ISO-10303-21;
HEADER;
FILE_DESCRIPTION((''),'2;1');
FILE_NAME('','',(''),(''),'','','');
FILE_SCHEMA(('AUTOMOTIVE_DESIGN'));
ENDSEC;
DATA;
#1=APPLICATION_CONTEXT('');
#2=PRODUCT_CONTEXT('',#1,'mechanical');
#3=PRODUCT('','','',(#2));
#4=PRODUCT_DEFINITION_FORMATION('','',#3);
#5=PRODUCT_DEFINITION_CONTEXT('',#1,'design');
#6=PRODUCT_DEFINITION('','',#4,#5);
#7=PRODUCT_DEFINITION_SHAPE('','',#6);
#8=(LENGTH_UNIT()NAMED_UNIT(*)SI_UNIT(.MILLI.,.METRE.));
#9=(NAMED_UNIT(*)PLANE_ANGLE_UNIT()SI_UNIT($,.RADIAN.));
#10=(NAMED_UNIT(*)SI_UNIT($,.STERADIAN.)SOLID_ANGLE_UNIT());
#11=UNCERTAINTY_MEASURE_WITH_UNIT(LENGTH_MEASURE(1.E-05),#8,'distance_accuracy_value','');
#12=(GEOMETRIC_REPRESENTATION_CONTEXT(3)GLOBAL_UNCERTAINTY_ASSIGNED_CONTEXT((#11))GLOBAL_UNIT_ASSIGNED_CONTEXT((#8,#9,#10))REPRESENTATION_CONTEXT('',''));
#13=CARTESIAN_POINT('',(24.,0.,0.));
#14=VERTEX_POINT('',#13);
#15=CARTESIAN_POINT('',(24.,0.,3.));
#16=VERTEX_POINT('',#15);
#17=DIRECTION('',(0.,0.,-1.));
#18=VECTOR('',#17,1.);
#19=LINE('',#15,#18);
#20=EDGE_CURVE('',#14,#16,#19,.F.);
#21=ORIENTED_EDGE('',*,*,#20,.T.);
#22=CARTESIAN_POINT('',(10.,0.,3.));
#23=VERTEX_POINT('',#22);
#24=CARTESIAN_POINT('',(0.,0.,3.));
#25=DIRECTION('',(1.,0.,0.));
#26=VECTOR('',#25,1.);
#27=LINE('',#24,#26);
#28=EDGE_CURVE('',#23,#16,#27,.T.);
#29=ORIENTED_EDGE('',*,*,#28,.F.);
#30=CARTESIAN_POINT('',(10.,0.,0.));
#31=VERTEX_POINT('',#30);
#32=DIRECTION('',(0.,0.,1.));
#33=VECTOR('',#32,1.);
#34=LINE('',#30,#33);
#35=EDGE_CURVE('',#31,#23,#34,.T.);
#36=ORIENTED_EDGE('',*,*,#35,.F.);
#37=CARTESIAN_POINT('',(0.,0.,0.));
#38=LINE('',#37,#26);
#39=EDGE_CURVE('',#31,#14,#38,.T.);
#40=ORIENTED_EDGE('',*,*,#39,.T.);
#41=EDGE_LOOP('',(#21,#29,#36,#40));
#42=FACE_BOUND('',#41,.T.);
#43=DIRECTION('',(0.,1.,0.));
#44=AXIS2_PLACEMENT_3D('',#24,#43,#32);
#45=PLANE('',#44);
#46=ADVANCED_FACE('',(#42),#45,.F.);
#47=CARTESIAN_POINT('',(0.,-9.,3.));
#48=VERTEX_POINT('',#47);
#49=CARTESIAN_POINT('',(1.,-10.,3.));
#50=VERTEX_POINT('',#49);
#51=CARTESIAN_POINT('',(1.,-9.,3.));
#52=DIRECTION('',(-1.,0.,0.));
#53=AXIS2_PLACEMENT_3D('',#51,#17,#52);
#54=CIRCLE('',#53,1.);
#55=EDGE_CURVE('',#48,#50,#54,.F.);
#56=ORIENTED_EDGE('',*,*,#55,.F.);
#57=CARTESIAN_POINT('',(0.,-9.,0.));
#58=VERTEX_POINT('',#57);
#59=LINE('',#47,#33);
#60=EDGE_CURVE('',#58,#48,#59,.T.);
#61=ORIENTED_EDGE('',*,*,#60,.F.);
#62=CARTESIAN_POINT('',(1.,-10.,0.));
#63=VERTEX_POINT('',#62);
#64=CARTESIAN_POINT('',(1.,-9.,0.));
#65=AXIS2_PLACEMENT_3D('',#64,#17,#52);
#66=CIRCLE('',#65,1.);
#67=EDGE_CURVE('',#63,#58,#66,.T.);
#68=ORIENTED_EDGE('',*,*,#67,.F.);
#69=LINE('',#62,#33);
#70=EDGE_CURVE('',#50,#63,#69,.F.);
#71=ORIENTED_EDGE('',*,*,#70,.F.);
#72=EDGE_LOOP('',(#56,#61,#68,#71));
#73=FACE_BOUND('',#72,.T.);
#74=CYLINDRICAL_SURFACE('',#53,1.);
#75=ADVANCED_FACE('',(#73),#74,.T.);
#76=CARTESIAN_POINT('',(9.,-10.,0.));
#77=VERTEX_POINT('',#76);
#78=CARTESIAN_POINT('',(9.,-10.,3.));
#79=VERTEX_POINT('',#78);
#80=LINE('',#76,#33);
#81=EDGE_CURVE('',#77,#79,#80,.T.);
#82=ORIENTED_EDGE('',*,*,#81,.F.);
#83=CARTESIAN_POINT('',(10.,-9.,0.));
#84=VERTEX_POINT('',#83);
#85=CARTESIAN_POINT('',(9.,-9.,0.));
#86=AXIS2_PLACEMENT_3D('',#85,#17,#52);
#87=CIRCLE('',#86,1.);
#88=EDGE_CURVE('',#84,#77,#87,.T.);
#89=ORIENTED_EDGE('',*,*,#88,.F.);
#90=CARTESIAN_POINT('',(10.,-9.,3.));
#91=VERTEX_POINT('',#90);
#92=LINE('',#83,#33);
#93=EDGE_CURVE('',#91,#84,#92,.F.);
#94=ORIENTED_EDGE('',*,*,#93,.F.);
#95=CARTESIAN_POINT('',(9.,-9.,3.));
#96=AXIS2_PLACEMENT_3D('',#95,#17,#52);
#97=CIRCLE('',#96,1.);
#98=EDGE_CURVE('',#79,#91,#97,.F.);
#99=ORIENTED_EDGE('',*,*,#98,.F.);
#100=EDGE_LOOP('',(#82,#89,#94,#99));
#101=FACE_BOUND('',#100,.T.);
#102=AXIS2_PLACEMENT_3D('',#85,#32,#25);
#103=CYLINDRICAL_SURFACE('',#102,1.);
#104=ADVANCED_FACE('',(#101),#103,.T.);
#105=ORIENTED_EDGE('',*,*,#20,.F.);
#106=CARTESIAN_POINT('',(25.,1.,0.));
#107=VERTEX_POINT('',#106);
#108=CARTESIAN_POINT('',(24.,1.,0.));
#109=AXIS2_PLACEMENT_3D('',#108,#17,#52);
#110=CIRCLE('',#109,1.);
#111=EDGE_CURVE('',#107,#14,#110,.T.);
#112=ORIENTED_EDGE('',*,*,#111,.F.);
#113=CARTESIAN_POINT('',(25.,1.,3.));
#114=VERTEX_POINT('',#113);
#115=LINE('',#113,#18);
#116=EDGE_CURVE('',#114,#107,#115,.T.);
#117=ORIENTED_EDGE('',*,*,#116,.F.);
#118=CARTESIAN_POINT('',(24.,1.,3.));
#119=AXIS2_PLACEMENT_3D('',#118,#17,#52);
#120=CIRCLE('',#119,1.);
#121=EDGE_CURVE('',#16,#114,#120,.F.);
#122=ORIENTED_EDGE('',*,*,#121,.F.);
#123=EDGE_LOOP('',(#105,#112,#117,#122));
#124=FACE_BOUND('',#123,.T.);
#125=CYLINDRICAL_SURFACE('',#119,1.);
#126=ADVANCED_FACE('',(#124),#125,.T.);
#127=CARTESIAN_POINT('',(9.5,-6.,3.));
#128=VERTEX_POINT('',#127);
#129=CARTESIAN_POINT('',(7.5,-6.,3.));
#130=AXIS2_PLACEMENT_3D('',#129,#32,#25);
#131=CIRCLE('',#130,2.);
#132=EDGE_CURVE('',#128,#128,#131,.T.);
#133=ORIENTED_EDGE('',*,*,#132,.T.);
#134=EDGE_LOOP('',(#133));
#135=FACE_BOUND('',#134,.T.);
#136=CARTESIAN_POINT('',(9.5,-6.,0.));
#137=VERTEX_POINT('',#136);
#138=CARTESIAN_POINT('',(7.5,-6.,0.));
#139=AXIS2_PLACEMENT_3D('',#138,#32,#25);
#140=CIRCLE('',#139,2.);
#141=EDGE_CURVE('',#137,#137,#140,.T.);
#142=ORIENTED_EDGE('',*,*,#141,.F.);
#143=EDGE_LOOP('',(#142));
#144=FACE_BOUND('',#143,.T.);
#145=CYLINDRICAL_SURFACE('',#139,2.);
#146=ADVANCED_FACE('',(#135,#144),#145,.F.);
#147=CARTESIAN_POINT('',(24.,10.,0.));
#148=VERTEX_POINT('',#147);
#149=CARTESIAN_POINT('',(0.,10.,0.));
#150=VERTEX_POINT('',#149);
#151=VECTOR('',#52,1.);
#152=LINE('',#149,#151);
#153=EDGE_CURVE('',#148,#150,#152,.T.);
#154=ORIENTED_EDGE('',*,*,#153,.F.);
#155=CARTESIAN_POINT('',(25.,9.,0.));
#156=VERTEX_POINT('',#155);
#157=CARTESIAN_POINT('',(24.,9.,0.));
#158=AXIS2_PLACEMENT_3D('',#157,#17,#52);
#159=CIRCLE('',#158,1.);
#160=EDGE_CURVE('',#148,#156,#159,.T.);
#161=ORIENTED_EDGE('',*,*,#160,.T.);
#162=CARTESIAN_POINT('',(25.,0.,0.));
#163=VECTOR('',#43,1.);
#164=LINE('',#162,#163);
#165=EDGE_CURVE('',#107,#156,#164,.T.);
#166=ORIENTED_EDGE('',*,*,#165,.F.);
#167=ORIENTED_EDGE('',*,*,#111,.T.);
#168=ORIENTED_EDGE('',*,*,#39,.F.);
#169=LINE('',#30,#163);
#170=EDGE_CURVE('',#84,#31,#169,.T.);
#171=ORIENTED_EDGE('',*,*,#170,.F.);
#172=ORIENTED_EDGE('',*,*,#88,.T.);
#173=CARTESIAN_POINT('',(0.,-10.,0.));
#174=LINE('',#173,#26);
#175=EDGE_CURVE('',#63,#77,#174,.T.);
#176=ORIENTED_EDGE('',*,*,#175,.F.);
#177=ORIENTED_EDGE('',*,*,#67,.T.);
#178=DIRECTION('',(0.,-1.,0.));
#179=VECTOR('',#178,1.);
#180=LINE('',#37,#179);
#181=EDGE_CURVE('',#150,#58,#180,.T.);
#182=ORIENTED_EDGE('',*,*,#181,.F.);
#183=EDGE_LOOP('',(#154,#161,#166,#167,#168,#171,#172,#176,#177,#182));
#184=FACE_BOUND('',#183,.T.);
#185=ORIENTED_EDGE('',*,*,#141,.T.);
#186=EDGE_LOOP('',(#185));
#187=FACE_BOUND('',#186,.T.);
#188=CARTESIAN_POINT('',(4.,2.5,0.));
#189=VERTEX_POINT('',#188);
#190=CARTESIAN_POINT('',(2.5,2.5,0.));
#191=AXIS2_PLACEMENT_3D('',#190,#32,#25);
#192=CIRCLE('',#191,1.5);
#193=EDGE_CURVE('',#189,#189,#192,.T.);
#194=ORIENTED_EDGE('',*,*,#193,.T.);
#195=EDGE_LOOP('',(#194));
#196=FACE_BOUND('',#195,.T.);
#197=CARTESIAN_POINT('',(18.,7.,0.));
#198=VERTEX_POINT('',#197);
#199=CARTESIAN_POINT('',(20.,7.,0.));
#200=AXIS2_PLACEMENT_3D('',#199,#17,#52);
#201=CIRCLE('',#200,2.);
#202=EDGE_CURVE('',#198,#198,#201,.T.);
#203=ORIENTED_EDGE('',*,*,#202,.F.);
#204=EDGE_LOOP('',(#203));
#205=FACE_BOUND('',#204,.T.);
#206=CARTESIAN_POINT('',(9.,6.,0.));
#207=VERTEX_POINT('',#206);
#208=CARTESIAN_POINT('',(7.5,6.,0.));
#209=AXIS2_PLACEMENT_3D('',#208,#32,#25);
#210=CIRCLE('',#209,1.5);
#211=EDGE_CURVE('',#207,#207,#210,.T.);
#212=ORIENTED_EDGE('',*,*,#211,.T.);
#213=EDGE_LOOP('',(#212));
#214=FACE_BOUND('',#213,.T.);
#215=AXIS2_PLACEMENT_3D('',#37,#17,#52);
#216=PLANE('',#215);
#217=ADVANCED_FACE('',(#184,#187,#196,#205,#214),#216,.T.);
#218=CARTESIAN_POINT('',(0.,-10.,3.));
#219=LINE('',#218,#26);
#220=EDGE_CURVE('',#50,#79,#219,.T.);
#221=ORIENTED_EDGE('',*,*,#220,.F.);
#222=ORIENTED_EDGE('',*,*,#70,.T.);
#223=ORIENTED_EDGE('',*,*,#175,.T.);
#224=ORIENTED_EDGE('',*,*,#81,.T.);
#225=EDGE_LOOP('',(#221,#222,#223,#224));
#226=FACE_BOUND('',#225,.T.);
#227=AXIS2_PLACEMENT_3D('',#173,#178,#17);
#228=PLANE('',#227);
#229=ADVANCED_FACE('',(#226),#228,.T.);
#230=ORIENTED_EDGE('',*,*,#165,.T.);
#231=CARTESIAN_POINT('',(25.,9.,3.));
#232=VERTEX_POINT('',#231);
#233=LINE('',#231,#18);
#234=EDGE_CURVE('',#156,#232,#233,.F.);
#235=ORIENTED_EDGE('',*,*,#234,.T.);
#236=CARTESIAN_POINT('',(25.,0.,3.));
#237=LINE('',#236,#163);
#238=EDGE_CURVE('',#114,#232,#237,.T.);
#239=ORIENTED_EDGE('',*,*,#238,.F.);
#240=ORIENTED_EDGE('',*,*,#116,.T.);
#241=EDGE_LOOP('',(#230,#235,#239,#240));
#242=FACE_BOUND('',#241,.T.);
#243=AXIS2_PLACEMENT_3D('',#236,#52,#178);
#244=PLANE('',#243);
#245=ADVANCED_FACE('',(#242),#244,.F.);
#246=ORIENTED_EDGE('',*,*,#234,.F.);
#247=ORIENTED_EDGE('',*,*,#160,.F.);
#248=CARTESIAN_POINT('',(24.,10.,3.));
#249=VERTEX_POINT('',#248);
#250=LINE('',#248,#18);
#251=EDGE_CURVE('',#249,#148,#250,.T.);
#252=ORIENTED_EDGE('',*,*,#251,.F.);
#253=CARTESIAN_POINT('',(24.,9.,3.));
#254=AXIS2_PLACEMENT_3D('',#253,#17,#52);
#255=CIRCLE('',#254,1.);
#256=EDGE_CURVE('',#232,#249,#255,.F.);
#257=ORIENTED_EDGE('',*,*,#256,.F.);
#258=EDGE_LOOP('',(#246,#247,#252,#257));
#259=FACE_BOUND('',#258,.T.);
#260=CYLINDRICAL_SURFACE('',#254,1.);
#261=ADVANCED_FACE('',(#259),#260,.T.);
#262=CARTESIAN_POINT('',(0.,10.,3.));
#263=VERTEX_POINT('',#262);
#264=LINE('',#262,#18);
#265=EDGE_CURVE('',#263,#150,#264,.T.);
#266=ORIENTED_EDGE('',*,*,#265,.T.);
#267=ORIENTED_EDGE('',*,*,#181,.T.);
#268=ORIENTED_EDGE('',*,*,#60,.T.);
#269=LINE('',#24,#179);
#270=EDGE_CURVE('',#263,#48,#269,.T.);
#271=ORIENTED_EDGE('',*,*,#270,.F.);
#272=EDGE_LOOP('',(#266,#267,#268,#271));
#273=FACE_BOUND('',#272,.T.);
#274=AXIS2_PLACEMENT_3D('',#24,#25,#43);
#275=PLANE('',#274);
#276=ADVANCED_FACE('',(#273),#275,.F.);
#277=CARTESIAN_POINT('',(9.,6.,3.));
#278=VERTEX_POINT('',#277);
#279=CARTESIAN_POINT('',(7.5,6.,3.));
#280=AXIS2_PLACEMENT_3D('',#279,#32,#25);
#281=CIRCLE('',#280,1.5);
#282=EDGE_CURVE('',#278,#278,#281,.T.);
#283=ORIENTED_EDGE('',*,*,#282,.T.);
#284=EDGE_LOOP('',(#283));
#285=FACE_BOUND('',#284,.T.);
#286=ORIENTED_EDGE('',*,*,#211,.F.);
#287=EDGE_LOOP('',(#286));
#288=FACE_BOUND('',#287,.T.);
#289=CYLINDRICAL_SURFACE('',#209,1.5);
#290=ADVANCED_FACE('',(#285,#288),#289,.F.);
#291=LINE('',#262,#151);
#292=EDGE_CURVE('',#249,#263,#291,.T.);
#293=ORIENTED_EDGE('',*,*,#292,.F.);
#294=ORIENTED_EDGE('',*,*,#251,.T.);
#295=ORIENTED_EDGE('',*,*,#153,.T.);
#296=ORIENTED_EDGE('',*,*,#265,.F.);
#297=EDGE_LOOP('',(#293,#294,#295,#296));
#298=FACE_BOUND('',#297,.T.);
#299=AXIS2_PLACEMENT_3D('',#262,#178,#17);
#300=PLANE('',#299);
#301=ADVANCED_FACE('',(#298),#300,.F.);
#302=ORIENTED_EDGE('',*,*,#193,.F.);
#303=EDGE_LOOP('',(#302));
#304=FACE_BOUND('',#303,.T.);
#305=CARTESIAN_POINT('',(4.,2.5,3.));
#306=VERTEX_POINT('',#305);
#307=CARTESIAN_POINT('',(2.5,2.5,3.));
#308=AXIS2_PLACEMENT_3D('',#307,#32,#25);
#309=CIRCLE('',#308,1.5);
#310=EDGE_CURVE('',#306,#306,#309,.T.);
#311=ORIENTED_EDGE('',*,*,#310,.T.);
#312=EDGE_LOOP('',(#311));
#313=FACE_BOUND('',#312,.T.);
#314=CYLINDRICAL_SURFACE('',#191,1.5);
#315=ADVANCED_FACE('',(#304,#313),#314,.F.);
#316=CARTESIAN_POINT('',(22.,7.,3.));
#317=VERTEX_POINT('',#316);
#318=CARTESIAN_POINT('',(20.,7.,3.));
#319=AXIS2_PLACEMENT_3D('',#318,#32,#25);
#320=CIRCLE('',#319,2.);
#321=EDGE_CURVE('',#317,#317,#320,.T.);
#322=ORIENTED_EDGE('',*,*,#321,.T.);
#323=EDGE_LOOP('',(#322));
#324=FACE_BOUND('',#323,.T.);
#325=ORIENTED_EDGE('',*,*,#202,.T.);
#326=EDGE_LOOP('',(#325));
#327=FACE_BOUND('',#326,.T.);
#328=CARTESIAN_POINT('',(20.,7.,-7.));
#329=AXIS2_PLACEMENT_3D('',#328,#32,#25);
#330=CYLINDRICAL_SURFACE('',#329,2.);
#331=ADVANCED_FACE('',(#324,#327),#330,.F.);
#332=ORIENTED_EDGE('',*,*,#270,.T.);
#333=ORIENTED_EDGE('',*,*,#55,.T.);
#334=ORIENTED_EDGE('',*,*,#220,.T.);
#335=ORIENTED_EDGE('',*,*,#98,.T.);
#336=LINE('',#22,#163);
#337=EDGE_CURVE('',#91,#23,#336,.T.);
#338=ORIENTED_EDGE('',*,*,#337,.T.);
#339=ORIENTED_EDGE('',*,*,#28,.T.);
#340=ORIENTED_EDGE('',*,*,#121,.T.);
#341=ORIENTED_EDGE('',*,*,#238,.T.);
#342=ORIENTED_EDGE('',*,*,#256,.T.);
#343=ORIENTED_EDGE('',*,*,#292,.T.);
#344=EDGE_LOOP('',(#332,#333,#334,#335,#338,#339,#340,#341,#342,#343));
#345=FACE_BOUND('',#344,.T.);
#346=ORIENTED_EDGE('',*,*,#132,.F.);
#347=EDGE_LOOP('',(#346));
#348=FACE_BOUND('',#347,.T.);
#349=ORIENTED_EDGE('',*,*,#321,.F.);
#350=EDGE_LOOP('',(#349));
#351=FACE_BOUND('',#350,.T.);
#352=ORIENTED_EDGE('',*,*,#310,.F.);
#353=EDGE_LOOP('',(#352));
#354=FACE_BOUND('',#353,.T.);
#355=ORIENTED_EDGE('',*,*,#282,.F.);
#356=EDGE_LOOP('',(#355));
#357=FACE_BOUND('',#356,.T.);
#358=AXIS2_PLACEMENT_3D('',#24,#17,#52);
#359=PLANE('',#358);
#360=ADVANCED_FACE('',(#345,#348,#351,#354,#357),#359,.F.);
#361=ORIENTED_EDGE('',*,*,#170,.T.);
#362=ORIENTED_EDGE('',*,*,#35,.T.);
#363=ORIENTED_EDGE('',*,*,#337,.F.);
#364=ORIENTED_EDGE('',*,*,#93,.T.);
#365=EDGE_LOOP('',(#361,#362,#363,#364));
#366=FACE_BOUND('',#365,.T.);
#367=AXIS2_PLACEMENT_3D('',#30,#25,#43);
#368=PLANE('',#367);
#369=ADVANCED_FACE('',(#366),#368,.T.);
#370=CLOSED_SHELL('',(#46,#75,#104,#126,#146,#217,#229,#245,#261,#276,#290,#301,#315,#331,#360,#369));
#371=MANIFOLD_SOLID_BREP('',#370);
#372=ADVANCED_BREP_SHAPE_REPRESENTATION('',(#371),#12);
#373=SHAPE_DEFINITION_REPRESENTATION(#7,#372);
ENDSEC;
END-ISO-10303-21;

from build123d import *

# Parameters (mm, degrees)
SKETCH_1_W          = 25
SKETCH_1_H          = 10
EXTRUDE_1_DEPTH     = 3
SKETCH_2_R          = 1.5
CUT_EXTRUDE_1_DEPTH = 3
SKETCH_3_R          = 2
CUT_EXTRUDE_2_DEPTH = 10
SKETCH_4_W          = 10
SKETCH_4_H          = 10
EXTRUDE_2_DEPTH     = 3
SKETCH_5_R          = 2
CUT_EXTRUDE_3_DEPTH = 3
FILLET_1_R          = 1


with BuildPart() as part:
    # 草图1 → 凸台-拉伸1 (new body)
    with BuildSketch(Plane.XY):
        with Locations((12.5, 5)):
            Rectangle(SKETCH_1_W, SKETCH_1_H)
    extrude(amount=EXTRUDE_1_DEPTH)

    # 草图2 → 切除-拉伸1 (cut)
    with BuildSketch(Plane.XY.offset(3)):
        with Locations((2.5, 2.5)):
            Circle(SKETCH_2_R)
        with Locations((7.5, 6)):
            Circle(SKETCH_2_R)
    extrude(amount=-CUT_EXTRUDE_1_DEPTH, mode=Mode.SUBTRACT)

    # 草图3 → 切除-拉伸2 (cut)
    with BuildSketch(Plane.XY.offset(3)):
        with Locations((20, 7)):
            Circle(SKETCH_3_R)
    extrude(amount=-CUT_EXTRUDE_2_DEPTH, mode=Mode.SUBTRACT)

    # 草图4 → 凸台-拉伸2 (add)
    with BuildSketch(Plane.XY.offset(3)):
        with Locations((5, -5)):
            Rectangle(SKETCH_4_W, SKETCH_4_H)
    extrude(amount=-EXTRUDE_2_DEPTH)

    # 草图5 → 切除-拉伸3 (cut)
    with BuildSketch(Plane.XY.offset(3)):
        with Locations((7.5, -6)):
            Circle(SKETCH_5_R)
    extrude(amount=-CUT_EXTRUDE_3_DEPTH, mode=Mode.SUBTRACT)

    # 圆角1
    fillet_1_edges = [part.edges().sort_by_distance(p)[0] for p in [
        (0, -10, 1.5),
        (10, -10, 1.5),
        (25, 10, 1.5),
        (25, 0, 1.5),
    ]]
    fillet(fillet_1_edges, radius=FILLET_1_R)


solid = part.part
